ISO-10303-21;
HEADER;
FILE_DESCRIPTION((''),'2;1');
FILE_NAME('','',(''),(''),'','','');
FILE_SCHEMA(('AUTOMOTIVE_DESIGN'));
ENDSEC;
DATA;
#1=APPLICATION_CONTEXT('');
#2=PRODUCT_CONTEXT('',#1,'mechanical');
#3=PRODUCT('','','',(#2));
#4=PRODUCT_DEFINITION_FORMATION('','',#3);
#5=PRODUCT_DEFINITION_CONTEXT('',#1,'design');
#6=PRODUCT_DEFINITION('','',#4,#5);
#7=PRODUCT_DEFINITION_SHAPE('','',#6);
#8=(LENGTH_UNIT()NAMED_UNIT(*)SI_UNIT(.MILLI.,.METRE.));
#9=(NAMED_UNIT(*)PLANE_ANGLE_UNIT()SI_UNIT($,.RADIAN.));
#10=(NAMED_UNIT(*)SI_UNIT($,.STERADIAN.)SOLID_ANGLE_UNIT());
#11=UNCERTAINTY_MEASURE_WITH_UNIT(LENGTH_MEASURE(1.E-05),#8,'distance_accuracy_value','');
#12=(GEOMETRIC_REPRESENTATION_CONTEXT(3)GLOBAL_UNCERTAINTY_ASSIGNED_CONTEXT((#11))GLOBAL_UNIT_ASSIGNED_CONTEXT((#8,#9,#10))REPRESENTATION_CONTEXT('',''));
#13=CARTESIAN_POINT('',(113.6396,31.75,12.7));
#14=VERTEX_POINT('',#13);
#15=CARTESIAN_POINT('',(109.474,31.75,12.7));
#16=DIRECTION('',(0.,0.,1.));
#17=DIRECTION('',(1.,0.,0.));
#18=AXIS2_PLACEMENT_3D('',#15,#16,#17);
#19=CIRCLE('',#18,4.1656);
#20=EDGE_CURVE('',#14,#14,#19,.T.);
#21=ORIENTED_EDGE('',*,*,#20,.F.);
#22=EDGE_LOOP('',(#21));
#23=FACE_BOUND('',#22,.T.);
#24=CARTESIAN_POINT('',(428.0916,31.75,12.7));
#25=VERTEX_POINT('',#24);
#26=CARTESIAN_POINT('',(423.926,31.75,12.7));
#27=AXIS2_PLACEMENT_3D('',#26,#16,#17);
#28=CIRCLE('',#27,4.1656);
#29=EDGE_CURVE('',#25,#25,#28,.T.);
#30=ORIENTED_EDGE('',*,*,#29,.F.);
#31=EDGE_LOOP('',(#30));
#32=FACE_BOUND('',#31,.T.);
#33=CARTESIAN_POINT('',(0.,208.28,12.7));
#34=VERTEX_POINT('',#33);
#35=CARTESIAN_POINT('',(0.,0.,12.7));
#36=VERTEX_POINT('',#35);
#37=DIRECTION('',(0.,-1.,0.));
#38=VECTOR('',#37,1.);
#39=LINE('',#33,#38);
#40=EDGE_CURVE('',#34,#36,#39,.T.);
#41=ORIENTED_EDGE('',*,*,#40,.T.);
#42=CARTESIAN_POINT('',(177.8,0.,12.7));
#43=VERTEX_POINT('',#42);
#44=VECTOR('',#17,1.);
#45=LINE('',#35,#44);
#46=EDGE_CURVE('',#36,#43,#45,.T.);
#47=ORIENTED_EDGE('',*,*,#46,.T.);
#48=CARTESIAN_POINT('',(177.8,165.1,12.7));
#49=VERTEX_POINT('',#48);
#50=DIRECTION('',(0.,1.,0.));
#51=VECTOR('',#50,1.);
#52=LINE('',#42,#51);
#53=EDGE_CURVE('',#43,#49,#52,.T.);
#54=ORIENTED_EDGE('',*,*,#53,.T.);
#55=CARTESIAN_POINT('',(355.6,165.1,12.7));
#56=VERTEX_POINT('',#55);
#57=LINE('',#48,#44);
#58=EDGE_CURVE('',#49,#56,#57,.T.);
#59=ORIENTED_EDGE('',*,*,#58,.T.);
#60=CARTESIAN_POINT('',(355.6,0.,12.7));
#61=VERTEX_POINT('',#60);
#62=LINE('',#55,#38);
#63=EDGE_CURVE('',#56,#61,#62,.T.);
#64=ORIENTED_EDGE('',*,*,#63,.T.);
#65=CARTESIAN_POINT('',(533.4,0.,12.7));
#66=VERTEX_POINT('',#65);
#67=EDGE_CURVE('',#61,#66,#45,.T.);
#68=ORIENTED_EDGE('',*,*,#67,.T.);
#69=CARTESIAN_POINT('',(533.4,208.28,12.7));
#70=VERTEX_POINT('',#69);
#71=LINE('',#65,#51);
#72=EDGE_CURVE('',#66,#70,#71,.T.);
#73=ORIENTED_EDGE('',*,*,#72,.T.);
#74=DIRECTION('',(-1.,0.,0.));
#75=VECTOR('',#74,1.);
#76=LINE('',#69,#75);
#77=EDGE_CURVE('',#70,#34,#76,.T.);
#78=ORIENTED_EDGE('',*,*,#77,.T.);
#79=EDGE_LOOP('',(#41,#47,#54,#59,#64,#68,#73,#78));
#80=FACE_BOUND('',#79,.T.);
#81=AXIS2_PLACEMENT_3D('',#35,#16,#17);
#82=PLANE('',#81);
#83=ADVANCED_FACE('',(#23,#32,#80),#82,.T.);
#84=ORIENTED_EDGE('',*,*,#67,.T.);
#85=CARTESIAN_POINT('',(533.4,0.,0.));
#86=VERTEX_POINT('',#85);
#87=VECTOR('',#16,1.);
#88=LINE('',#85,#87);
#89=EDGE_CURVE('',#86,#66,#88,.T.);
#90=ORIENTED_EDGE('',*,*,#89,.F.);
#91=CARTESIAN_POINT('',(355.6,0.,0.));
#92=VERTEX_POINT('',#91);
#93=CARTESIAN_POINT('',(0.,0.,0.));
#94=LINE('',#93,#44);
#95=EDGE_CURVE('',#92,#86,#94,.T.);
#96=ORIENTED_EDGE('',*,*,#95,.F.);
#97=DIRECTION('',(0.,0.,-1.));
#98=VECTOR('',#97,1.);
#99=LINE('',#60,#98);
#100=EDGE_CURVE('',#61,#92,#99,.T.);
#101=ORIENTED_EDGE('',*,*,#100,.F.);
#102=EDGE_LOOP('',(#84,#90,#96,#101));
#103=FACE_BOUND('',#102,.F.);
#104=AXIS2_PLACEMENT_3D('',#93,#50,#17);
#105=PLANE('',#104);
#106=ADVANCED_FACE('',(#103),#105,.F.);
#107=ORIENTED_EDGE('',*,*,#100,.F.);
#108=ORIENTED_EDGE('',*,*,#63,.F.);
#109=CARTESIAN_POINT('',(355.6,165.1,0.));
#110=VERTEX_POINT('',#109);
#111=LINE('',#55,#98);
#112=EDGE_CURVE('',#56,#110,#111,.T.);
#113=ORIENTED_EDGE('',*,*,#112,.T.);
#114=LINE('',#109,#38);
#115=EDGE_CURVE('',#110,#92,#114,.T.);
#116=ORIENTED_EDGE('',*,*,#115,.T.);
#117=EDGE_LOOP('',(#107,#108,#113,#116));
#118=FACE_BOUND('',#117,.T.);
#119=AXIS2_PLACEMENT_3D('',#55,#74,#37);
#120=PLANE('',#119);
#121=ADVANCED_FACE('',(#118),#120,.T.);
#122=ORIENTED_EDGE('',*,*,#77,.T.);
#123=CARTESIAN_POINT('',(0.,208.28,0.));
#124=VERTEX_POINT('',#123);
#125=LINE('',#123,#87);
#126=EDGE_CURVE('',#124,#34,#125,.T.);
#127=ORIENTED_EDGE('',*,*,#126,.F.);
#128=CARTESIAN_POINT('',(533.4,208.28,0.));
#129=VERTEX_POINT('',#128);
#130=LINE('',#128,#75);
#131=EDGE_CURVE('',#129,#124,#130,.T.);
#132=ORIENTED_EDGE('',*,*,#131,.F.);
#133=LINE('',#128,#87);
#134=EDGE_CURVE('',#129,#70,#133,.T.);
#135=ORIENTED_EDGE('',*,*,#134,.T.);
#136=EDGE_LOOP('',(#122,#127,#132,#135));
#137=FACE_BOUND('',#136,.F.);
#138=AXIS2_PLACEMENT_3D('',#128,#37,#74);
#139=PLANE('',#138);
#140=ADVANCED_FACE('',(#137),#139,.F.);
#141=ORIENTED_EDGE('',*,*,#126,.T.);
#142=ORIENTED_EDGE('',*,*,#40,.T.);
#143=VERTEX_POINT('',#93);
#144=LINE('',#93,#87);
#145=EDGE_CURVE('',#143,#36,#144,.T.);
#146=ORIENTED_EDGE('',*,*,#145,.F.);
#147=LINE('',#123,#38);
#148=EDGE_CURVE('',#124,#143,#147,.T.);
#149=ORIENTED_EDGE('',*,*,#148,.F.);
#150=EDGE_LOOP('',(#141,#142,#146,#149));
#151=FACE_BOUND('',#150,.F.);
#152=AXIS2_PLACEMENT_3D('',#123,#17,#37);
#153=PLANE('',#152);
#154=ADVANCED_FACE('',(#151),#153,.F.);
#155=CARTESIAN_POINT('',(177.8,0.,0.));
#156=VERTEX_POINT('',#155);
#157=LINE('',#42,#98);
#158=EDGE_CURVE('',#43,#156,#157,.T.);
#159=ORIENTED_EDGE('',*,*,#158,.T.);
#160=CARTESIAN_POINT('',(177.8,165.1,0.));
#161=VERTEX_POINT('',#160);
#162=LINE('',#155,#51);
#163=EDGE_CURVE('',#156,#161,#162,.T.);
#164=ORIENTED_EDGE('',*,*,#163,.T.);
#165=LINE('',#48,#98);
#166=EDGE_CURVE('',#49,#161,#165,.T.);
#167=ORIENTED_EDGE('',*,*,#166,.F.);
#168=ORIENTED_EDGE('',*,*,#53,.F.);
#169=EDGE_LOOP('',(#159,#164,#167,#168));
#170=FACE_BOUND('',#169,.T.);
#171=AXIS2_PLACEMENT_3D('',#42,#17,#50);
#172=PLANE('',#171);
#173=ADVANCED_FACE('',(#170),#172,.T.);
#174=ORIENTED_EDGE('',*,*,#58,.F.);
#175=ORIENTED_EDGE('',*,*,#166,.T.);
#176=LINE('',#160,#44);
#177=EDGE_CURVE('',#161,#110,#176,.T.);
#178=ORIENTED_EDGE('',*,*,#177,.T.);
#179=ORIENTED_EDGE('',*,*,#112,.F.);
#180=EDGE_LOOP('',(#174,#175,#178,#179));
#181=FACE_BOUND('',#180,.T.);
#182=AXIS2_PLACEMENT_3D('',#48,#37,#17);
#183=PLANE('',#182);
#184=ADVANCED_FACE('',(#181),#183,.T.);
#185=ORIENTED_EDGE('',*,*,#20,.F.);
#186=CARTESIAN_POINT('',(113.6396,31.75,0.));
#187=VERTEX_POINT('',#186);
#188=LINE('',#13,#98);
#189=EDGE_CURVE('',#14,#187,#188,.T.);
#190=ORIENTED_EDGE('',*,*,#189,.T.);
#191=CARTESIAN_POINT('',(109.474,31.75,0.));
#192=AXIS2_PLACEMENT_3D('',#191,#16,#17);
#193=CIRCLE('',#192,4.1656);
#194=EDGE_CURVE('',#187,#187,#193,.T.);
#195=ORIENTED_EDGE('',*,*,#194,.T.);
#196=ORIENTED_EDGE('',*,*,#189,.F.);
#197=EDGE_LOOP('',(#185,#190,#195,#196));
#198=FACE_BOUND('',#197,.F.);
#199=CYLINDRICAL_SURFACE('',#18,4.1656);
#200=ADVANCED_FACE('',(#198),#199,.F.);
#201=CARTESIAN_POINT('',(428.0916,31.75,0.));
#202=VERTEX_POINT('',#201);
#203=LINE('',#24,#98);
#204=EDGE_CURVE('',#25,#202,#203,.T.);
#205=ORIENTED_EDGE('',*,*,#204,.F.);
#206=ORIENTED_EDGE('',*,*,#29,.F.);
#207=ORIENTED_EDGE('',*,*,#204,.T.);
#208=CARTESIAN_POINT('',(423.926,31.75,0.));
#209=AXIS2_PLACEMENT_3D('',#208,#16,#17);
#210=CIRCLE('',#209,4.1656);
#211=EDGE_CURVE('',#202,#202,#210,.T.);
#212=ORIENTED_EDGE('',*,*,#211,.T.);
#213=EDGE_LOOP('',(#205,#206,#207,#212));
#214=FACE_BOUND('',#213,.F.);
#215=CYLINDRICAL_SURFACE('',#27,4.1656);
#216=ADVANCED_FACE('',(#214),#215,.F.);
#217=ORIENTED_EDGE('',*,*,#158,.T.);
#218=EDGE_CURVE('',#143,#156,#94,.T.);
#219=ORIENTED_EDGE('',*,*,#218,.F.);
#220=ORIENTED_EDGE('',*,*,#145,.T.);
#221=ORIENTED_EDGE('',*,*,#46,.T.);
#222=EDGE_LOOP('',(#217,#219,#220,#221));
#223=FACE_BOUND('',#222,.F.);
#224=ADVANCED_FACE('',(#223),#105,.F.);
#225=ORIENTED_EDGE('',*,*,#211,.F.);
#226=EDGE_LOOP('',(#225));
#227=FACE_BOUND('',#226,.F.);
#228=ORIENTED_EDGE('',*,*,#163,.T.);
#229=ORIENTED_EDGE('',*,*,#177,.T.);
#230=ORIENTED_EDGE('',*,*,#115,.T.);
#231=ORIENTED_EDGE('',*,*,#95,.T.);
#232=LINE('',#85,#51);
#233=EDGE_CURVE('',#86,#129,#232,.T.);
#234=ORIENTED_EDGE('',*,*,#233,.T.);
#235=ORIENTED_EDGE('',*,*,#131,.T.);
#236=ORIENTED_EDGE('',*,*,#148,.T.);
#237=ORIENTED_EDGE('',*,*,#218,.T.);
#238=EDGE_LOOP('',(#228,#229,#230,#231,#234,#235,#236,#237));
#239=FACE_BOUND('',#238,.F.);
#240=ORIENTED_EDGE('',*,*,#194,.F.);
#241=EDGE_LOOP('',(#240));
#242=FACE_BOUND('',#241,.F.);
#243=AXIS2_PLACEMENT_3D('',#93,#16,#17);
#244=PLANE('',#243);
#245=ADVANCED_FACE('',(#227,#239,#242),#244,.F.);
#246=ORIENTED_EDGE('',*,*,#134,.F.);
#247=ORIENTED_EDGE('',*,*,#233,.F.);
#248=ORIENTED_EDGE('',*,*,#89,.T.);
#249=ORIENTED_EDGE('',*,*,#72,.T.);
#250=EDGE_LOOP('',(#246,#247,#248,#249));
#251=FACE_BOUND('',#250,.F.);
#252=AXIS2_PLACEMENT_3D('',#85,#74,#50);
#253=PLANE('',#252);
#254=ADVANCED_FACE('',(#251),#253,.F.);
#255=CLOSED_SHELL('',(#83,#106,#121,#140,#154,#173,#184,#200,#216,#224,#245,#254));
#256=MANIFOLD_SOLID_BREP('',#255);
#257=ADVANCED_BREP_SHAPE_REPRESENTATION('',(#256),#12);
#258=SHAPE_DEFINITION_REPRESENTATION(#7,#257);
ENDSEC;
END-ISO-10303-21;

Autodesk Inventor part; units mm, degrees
ref_plane "YZ Plane" through (0, 0, 0) normal (1, 0, 0) x (0, 1, 0)
ref_plane "XZ Plane" through (0, 0, 0) normal (0, 1, 0) x (-1, 0, 0)
ref_plane "XY Plane" through (0, 0, 0) normal (0, 0, 1) x (1, 0, 0)
sketch "Sketch1" plane through (0, 0, 0) normal (0, 0, 1) x (1, 0, 0)
  line L0 (0, 0) -> (533.4, 0)
  line L1 (533.4, 0) -> (533.4, 208.28)
  line L2 (533.4, 208.28) -> (0, 208.28)
  line L3 (0, 208.28) -> (0, 0)
  dimension "d0" = 533.4
  dimension "d1" = 208.28
extrude "Extrusion1" add sketch "Sketch1" along normal blind 12.7
sketch "Sketch2" plane through (0, 0, 12.7) normal (0, 0, 1) x (1, 0, 0)
  line L0 (0, 0) -> (533.4, 0) projected
  line L1 (355.6, 0) -> (177.8, 0)
  line L2 (177.8, 0) -> (177.8, 165.1)
  line L3 (177.8, 165.1) -> (355.6, 165.1)
  line L4 (355.6, 165.1) -> (355.6, 0)
  line L5 (533.4, 0) -> (533.4, 208.28) projected
  line L6 (0, 208.28) -> (0, 0) projected
  dimension "d4" = 165.1
  dimension "d5" = 177.8
  dimension "d6" = 177.8
extrude "Extrusion2" cut sketch "Sketch2" against normal blind 12.7
sketch "Sketch3" plane through (0, 0, 12.7) normal (0, 0, 1) x (1, 0, 0)
  circle A0 centre (423.926, 31.75) radius 4.1656
  line L0 (533.4, 0) -> (533.4, 208.28) projected
  circle A1 centre (109.474, 31.75) radius 4.1656
  line L1 (0, 208.28) -> (0, 0) projected
  line L2 (0, 0) -> (177.8, 0) projected
  line L3 (355.6, 0) -> (533.4, 0) projected
  dimension "d9" = 109.474
  dimension "d10" = 8.3312
  dimension "d11" = 8.3312
  dimension "d12" = 109.474
  dimension "d13" = 31.75
  dimension "d14" = 31.75
extrude "Extrusion3" cut sketch "Sketch3" against normal blind 25.4
properties part number "Front wall" material "Polycarbonate, Clear"
